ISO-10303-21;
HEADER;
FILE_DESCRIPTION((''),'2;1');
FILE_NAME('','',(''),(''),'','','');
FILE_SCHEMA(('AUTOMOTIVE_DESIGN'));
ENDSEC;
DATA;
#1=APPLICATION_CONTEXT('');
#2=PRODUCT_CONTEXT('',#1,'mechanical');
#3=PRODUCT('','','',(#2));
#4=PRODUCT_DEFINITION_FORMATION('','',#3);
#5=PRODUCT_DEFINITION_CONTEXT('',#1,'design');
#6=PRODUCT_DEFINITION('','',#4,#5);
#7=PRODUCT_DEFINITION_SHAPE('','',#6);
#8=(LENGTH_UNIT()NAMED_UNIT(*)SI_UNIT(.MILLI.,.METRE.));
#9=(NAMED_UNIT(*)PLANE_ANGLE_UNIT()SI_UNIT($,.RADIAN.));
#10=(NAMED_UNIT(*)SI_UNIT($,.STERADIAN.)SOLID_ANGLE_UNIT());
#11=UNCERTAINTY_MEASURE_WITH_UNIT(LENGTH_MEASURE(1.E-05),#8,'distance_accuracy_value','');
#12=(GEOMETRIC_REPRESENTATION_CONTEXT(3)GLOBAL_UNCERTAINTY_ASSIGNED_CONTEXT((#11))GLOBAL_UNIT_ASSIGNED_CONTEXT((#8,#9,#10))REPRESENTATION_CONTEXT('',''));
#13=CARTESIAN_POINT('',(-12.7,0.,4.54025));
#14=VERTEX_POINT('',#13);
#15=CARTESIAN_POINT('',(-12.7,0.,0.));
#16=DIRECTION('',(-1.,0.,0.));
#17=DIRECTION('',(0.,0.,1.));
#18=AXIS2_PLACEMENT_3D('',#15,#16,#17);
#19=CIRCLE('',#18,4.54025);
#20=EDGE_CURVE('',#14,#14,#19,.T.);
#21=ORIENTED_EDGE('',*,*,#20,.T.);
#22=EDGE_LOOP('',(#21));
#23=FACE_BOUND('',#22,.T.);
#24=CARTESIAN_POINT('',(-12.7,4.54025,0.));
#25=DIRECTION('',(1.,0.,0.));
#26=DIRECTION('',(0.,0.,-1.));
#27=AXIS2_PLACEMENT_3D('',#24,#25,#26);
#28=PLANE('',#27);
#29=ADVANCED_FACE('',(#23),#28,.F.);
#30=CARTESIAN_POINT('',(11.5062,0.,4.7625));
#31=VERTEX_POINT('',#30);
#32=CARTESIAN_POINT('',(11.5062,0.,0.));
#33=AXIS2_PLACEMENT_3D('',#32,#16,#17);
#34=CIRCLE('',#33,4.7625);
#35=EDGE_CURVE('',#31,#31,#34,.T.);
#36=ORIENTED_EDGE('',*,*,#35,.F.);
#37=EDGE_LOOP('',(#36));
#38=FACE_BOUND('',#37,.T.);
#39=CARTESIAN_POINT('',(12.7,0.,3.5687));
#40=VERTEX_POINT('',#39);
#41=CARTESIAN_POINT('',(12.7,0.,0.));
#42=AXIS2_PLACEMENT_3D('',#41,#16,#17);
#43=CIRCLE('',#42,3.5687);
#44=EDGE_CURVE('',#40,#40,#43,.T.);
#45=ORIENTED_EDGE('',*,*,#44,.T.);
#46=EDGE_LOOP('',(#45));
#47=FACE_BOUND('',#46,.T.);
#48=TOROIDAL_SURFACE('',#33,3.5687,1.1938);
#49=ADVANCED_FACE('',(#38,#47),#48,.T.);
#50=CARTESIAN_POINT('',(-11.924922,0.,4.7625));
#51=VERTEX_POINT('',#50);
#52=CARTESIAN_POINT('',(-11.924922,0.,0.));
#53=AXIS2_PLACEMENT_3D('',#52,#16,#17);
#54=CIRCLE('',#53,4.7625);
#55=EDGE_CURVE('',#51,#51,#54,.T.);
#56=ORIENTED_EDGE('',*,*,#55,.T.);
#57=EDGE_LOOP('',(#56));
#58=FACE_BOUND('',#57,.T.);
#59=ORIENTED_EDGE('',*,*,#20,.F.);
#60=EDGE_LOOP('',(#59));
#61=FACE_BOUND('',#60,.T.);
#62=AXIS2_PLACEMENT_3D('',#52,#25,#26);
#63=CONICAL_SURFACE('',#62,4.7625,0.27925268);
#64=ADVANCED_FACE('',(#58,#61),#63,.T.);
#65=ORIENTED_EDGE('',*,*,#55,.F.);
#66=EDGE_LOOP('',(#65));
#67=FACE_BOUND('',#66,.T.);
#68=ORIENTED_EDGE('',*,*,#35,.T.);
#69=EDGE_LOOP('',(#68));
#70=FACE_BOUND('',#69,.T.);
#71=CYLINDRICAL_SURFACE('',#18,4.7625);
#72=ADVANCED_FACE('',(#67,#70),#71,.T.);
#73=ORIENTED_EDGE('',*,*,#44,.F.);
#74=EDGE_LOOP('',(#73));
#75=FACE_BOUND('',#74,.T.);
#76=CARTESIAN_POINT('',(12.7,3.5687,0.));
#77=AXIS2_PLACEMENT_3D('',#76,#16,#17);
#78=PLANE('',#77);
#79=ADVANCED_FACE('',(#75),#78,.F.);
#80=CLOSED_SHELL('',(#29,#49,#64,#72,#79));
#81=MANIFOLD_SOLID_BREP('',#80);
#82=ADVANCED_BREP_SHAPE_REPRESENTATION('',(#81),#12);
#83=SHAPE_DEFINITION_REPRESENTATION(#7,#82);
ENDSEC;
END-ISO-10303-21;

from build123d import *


with BuildPart() as part:
    # Sketch3 → Revolve1 (revolve)
    with BuildSketch(Plane.XY, mode=Mode.PRIVATE) as revolve1_sk:
        with BuildLine():
            Line((12.7, 3.5687), (12.7, 0))
            Line((12.7, 0), (-12.7, 0))
            Line((-12.7, 0), (-12.7, 4.54025))
            Line((-12.7, 4.54025), (-11.92492214, 4.7625))
            Line((-11.92492214, 4.7625), (11.5062, 4.7625))
            ThreePointArc((11.5062, 4.7625), (12.350344075, 4.412844075), (12.7, 3.5687))
        make_face()
    revolve(revolve1_sk.sketch.rotate(Axis((-12.7, 0, 0), (1, 0, 0)), 90), axis=Axis((-12.7, 0, 0), (1, 0, 0)))


solid = part.part
